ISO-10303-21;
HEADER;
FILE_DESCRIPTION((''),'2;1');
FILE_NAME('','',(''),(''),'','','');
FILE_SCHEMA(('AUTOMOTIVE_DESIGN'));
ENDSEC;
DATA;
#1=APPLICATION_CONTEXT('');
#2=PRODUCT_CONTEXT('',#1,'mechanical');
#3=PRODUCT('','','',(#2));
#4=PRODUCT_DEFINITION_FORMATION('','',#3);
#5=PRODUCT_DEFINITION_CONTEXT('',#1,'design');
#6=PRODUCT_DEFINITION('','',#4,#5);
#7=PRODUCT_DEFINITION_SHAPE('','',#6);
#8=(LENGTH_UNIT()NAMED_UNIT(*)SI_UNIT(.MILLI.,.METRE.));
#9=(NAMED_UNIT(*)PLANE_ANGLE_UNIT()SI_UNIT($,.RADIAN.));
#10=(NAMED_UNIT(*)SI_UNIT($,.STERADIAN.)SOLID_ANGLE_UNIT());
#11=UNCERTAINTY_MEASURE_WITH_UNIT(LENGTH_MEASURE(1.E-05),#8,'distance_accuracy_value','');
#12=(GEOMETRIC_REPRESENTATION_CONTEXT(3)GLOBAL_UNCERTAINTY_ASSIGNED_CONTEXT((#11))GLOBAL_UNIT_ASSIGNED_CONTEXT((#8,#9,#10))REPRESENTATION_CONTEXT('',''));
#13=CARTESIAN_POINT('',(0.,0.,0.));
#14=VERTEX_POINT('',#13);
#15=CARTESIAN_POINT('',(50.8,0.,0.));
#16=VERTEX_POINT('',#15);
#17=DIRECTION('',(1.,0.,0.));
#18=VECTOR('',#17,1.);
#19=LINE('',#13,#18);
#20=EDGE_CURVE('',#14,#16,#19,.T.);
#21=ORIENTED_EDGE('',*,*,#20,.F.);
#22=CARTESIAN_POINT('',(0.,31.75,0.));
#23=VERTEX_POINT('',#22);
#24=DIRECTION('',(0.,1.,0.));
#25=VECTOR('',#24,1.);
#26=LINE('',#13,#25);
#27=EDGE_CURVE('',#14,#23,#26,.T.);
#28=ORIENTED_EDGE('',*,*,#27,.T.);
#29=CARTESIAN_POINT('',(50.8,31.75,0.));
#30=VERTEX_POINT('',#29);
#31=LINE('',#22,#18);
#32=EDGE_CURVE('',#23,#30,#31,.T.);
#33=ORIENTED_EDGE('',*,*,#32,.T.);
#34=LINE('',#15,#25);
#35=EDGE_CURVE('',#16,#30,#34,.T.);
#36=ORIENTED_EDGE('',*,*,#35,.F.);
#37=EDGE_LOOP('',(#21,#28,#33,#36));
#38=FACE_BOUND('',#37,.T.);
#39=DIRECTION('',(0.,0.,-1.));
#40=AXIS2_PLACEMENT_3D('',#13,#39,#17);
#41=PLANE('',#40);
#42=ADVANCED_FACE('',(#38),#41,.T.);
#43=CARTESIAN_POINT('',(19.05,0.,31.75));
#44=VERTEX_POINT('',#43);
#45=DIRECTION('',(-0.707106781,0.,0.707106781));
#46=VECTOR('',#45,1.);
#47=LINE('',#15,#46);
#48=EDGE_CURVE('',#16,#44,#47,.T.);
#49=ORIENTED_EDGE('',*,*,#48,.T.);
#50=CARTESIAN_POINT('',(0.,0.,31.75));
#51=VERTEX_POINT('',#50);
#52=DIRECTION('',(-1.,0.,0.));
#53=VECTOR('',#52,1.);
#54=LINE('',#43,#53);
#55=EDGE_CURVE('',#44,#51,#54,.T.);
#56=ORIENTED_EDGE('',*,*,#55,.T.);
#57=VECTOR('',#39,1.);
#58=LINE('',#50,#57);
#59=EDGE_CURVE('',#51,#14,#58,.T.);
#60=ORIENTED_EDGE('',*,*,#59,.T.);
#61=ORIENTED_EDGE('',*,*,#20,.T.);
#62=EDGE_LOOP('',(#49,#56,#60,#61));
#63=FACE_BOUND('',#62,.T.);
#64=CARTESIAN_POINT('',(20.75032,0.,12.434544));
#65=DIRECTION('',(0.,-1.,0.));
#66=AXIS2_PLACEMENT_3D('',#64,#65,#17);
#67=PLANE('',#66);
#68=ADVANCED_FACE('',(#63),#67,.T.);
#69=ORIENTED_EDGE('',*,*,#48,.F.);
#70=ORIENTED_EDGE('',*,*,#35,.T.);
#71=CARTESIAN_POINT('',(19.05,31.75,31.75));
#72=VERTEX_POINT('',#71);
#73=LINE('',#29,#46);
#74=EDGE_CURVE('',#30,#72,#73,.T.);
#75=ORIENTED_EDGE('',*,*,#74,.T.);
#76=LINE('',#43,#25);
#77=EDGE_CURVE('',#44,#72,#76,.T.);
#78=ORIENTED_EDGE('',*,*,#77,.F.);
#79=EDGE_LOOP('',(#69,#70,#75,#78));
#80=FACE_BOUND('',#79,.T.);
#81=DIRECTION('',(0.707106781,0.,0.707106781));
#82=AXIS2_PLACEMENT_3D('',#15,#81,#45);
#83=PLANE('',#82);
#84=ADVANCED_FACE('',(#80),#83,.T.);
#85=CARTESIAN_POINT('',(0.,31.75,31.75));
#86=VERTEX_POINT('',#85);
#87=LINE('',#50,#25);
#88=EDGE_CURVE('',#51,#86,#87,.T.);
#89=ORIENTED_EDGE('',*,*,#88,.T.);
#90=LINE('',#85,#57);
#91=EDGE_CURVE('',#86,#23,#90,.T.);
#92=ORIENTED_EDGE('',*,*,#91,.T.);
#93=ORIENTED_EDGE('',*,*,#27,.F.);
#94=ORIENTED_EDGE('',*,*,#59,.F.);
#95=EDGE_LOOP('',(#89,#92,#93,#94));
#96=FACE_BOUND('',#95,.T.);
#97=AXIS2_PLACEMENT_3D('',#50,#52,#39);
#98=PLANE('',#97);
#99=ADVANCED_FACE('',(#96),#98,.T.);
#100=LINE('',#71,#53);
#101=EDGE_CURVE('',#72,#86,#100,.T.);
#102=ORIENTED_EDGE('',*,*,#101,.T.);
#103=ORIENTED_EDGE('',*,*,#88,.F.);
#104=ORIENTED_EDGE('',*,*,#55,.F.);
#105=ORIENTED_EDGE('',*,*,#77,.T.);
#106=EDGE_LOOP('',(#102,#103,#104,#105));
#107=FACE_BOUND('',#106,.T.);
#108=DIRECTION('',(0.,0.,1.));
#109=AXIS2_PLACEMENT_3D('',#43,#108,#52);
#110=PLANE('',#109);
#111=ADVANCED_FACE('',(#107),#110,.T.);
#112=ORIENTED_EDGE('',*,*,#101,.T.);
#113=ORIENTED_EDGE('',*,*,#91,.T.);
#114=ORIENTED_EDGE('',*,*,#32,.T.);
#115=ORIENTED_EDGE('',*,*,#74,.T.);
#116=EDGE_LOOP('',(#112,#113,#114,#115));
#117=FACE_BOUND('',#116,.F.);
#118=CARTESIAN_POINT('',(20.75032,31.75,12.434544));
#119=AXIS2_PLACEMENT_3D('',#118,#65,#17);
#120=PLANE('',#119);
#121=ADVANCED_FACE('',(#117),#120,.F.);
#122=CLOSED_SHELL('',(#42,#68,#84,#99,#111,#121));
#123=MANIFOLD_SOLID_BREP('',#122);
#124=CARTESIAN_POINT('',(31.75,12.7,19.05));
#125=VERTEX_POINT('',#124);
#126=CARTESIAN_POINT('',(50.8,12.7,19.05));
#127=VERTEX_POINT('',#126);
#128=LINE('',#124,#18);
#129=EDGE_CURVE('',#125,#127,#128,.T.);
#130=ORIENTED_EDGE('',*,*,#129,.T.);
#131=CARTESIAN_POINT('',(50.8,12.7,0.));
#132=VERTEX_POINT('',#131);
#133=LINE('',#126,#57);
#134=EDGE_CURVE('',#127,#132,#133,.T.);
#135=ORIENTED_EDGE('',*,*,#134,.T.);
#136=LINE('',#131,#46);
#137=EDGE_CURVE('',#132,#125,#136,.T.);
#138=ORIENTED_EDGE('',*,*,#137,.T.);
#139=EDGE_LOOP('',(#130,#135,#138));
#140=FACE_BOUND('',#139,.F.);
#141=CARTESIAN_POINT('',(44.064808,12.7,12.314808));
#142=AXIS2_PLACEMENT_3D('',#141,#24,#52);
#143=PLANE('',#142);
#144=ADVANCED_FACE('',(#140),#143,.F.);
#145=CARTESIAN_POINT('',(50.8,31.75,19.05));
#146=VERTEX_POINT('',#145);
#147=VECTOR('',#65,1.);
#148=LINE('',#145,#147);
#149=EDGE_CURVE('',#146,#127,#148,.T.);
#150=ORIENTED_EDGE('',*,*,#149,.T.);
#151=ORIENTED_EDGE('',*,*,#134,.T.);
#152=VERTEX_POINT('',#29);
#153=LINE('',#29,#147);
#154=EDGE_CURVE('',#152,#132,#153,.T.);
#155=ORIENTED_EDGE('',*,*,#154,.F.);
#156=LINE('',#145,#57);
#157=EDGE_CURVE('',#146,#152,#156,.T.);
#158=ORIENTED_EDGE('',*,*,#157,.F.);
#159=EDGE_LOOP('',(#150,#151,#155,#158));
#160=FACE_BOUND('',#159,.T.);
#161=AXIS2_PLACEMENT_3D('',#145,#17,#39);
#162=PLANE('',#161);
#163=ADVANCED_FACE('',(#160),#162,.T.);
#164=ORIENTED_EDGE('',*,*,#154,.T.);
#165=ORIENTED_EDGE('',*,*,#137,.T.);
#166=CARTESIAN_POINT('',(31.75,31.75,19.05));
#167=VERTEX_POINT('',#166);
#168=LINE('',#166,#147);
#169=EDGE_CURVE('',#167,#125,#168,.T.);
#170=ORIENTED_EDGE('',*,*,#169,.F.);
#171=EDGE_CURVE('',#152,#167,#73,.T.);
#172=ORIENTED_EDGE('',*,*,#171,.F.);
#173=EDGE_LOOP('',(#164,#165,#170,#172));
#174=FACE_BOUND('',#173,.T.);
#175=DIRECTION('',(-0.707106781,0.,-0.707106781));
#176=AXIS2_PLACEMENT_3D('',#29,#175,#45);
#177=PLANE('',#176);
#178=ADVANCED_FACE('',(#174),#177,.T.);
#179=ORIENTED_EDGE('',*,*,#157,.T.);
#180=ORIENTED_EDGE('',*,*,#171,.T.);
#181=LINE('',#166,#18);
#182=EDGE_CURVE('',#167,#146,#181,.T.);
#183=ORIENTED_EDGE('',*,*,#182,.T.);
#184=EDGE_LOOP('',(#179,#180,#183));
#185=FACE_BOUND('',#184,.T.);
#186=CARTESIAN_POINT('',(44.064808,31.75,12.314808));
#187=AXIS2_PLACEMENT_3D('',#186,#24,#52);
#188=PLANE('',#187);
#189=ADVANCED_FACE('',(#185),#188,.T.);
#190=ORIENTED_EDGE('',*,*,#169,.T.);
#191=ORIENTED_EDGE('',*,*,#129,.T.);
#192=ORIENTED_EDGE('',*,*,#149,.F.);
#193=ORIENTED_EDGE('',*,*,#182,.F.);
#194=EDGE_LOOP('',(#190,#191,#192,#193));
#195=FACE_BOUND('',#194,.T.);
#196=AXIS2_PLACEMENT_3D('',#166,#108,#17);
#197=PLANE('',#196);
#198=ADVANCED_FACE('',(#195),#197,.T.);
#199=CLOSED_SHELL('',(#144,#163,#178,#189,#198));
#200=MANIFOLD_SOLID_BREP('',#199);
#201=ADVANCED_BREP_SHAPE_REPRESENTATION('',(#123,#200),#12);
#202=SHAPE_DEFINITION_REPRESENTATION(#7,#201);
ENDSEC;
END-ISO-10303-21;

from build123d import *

# Parameters (mm, degrees)
F1_DEPTH = 31.75
F3_DEPTH = 19.05


with BuildPart() as f1:
    # F0 (on Front) → F1 (new body)
    with BuildSketch(Plane.XZ):
        Polygon((0, 31.75), (0, 0), (50.8, 0), (19.05, 31.75), align=None)
    extrude(amount=-F1_DEPTH)


with BuildPart() as f3:
    # F2 (on face) → F3 (new body)
    with BuildSketch(Plane(origin=(0, 31.75, 0), x_dir=(-1, 0, 0), z_dir=(0, 1, 0))):
        Polygon((-50.8, 19.05), (-50.8, 0), (-31.75, 19.05), align=None)
    extrude(amount=-F3_DEPTH)


solid = Compound([f1.part, f3.part])
